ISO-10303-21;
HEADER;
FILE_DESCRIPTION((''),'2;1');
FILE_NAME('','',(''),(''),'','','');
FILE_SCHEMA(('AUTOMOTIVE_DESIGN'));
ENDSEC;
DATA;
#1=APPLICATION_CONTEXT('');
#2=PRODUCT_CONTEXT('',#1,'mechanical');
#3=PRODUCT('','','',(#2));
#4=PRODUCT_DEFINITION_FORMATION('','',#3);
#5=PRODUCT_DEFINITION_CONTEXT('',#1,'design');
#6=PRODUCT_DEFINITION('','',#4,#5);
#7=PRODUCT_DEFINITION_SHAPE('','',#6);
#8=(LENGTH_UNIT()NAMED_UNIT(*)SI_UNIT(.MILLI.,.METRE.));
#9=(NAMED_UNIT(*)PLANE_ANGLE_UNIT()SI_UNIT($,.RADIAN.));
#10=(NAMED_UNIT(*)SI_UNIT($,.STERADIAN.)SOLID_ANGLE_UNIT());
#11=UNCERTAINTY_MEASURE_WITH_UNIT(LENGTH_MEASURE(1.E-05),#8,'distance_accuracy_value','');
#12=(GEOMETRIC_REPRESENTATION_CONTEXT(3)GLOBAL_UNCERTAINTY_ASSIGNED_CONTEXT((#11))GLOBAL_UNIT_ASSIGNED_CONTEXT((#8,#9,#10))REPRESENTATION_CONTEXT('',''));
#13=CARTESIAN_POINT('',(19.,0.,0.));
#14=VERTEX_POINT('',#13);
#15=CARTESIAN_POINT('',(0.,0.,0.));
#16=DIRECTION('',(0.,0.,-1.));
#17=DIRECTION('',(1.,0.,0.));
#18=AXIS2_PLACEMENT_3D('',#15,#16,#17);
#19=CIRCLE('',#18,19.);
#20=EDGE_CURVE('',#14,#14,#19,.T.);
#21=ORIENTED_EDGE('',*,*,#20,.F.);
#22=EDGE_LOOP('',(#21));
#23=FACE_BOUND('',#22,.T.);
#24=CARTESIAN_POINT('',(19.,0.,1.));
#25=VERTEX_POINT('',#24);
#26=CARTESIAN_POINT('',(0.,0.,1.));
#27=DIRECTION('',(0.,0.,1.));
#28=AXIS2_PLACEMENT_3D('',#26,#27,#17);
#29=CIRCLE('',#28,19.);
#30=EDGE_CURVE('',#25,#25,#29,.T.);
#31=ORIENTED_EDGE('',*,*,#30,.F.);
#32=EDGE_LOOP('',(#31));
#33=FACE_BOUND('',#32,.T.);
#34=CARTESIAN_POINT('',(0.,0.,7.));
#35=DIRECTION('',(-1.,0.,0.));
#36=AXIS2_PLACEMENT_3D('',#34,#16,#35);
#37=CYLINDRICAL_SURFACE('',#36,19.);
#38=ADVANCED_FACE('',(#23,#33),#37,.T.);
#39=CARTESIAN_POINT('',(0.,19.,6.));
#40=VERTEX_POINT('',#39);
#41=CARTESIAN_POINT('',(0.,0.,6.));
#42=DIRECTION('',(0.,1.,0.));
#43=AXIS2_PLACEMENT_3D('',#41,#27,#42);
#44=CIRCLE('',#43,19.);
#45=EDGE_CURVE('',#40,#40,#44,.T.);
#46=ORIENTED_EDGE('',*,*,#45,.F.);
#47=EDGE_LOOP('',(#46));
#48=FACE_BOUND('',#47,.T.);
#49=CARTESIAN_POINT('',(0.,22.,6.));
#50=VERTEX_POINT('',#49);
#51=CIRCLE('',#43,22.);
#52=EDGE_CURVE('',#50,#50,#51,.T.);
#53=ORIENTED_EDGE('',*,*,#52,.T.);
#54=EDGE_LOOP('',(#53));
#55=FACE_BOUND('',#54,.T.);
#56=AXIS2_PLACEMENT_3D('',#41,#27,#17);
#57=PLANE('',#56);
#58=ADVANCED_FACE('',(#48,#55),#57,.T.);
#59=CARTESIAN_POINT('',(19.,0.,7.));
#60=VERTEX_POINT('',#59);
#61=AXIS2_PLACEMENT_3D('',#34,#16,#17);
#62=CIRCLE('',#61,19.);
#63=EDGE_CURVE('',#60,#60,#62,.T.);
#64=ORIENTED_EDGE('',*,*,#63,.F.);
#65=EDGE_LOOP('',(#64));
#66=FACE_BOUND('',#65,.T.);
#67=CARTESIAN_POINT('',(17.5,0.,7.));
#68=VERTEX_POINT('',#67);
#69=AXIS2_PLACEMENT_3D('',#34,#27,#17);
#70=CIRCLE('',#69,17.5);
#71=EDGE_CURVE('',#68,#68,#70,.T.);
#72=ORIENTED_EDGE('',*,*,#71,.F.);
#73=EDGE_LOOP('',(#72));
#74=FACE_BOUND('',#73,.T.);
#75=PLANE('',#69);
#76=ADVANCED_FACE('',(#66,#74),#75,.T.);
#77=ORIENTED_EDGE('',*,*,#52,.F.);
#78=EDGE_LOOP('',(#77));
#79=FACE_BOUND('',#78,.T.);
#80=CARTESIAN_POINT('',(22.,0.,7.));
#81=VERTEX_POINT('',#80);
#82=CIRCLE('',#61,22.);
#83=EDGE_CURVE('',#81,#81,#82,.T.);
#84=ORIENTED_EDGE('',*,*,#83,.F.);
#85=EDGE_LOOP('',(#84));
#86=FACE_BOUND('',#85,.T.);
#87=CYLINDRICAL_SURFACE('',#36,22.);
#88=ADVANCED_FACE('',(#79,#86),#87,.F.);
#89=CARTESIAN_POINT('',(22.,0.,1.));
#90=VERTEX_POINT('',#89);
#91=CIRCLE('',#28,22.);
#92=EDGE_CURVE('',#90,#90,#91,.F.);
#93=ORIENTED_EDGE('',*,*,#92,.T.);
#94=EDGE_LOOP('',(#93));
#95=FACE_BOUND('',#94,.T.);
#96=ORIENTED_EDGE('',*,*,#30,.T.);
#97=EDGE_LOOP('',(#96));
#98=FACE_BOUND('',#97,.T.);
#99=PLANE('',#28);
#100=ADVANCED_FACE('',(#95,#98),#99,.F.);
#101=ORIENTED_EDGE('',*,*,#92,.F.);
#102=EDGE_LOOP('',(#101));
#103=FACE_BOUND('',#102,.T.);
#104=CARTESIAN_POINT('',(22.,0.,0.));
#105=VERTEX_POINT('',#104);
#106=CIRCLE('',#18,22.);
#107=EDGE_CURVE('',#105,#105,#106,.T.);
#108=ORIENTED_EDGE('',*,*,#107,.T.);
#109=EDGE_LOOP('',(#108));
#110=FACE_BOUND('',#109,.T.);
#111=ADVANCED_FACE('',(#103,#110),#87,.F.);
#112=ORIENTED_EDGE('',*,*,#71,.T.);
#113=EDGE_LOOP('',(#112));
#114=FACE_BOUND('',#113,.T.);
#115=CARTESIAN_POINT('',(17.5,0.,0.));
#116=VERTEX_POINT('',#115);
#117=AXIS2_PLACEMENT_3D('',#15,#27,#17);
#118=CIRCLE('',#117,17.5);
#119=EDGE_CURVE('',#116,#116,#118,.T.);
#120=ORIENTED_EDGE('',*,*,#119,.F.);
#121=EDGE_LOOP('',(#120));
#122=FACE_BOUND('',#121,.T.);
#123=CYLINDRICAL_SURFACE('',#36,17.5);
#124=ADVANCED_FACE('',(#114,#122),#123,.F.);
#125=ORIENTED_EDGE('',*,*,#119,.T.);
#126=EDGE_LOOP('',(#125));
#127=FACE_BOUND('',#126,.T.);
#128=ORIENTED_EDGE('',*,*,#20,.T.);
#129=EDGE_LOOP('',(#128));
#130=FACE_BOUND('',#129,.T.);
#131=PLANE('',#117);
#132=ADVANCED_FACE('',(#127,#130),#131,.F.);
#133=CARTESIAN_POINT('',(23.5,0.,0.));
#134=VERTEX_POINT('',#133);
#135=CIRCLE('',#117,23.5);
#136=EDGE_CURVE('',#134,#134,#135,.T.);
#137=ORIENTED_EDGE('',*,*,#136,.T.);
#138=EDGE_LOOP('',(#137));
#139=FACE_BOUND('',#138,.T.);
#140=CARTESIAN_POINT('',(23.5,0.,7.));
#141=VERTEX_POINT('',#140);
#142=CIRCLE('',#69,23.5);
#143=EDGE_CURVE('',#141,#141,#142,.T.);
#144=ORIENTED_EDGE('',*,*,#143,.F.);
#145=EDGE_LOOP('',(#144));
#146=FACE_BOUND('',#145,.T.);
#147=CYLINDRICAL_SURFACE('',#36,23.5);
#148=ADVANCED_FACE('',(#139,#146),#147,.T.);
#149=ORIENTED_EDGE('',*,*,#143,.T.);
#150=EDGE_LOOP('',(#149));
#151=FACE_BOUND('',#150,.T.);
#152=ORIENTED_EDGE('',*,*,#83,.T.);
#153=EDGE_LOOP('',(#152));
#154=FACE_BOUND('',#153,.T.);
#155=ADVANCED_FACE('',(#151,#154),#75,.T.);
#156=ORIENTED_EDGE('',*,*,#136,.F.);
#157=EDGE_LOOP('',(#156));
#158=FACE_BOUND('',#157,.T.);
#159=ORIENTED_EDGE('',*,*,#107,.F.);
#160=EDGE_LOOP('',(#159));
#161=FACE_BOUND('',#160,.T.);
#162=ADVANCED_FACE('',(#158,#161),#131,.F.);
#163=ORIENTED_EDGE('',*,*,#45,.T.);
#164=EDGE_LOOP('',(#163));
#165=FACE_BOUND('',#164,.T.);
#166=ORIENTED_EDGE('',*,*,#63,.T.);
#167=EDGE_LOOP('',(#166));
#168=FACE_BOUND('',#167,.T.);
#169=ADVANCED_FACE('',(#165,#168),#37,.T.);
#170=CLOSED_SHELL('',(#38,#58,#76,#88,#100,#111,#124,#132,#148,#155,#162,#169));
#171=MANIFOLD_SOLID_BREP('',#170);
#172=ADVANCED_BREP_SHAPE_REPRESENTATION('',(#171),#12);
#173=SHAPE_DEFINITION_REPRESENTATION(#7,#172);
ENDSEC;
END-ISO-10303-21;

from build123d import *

# Parameters (mm, degrees)
SKETCH1_R               = 23.5
BOSS_EXTRUDE1_DEPTH     = 7
SKETCH2_R               = 17.5
CUT_EXTRUDE1_DEPTH      = 34.963215395
SKETCH3_R               = 22
SKETCH3_R_2             = 19
CUT_EXTRUDE_THIN1_DEPTH = 34.963215395
EXTRUDE_THIN1_START     = 1
SKETCH4_R               = 22
SKETCH4_R_2             = 19
EXTRUDE_THIN1_DEPTH     = 5


with BuildPart() as part:
    # Sketch1 → Boss-Extrude1 (new body)
    with BuildSketch(Plane(origin=(0, 0, 0), x_dir=(0, 1, 0), z_dir=(0, 0, 1))):
        with Locations(Location((0, 0, 0), (0, 0, 270))):
            Circle(SKETCH1_R)
    extrude(amount=BOSS_EXTRUDE1_DEPTH)

    # Sketch2 → Cut-Extrude1 (cut, through all)
    with BuildSketch(Plane(origin=(0, 0, 0), x_dir=(0, 1, 0), z_dir=(0, 0, 1))):
        with Locations(Location((0, 0, 0), (0, 0, 270))):
            Circle(SKETCH2_R)
    extrude(amount=CUT_EXTRUDE1_DEPTH, mode=Mode.SUBTRACT)

    # Sketch3 → Cut-Extrude-Thin1 (cut, through all)
    with BuildSketch(Plane(origin=(0, 0, 0), x_dir=(1, 0, 0), z_dir=(0, 0, -1))):
        Circle(SKETCH3_R)
        Circle(SKETCH3_R_2, mode=Mode.SUBTRACT)
    extrude(amount=-CUT_EXTRUDE_THIN1_DEPTH, mode=Mode.SUBTRACT)


with BuildPart() as cut_extrude_thin1_piece_1:
    # of the separate pieces the step leaves, piece 1, a body of its own (cut_extrude_thin1_pieces)
    add(part.part.solids().sort_by_distance((23.5, 0, 0))[0])



with BuildPart() as cut_extrude_thin1_piece_2:
    # of the separate pieces the step leaves, piece 2, a body of its own (cut_extrude_thin1_pieces)
    add(part.part.solids().sort_by_distance((19, 0, 0))[0])


with BuildPart() as cut_extrude_thin1_piece_1_1:
    add(cut_extrude_thin1_piece_1.part)

    add(cut_extrude_thin1_piece_2.part)  # Extrude-Thin1 merges Cut-Extrude-Thin1 piece 2
    # Sketch4 → Extrude-Thin1 (add)
    with BuildSketch(Plane(origin=(0, 0, 0), x_dir=(0, 1, 0), z_dir=(0, 0, 1)).offset(EXTRUDE_THIN1_START)):
        Circle(SKETCH4_R)
        Circle(SKETCH4_R_2, mode=Mode.SUBTRACT)
    extrude(amount=EXTRUDE_THIN1_DEPTH)


solid = cut_extrude_thin1_piece_1_1.part
